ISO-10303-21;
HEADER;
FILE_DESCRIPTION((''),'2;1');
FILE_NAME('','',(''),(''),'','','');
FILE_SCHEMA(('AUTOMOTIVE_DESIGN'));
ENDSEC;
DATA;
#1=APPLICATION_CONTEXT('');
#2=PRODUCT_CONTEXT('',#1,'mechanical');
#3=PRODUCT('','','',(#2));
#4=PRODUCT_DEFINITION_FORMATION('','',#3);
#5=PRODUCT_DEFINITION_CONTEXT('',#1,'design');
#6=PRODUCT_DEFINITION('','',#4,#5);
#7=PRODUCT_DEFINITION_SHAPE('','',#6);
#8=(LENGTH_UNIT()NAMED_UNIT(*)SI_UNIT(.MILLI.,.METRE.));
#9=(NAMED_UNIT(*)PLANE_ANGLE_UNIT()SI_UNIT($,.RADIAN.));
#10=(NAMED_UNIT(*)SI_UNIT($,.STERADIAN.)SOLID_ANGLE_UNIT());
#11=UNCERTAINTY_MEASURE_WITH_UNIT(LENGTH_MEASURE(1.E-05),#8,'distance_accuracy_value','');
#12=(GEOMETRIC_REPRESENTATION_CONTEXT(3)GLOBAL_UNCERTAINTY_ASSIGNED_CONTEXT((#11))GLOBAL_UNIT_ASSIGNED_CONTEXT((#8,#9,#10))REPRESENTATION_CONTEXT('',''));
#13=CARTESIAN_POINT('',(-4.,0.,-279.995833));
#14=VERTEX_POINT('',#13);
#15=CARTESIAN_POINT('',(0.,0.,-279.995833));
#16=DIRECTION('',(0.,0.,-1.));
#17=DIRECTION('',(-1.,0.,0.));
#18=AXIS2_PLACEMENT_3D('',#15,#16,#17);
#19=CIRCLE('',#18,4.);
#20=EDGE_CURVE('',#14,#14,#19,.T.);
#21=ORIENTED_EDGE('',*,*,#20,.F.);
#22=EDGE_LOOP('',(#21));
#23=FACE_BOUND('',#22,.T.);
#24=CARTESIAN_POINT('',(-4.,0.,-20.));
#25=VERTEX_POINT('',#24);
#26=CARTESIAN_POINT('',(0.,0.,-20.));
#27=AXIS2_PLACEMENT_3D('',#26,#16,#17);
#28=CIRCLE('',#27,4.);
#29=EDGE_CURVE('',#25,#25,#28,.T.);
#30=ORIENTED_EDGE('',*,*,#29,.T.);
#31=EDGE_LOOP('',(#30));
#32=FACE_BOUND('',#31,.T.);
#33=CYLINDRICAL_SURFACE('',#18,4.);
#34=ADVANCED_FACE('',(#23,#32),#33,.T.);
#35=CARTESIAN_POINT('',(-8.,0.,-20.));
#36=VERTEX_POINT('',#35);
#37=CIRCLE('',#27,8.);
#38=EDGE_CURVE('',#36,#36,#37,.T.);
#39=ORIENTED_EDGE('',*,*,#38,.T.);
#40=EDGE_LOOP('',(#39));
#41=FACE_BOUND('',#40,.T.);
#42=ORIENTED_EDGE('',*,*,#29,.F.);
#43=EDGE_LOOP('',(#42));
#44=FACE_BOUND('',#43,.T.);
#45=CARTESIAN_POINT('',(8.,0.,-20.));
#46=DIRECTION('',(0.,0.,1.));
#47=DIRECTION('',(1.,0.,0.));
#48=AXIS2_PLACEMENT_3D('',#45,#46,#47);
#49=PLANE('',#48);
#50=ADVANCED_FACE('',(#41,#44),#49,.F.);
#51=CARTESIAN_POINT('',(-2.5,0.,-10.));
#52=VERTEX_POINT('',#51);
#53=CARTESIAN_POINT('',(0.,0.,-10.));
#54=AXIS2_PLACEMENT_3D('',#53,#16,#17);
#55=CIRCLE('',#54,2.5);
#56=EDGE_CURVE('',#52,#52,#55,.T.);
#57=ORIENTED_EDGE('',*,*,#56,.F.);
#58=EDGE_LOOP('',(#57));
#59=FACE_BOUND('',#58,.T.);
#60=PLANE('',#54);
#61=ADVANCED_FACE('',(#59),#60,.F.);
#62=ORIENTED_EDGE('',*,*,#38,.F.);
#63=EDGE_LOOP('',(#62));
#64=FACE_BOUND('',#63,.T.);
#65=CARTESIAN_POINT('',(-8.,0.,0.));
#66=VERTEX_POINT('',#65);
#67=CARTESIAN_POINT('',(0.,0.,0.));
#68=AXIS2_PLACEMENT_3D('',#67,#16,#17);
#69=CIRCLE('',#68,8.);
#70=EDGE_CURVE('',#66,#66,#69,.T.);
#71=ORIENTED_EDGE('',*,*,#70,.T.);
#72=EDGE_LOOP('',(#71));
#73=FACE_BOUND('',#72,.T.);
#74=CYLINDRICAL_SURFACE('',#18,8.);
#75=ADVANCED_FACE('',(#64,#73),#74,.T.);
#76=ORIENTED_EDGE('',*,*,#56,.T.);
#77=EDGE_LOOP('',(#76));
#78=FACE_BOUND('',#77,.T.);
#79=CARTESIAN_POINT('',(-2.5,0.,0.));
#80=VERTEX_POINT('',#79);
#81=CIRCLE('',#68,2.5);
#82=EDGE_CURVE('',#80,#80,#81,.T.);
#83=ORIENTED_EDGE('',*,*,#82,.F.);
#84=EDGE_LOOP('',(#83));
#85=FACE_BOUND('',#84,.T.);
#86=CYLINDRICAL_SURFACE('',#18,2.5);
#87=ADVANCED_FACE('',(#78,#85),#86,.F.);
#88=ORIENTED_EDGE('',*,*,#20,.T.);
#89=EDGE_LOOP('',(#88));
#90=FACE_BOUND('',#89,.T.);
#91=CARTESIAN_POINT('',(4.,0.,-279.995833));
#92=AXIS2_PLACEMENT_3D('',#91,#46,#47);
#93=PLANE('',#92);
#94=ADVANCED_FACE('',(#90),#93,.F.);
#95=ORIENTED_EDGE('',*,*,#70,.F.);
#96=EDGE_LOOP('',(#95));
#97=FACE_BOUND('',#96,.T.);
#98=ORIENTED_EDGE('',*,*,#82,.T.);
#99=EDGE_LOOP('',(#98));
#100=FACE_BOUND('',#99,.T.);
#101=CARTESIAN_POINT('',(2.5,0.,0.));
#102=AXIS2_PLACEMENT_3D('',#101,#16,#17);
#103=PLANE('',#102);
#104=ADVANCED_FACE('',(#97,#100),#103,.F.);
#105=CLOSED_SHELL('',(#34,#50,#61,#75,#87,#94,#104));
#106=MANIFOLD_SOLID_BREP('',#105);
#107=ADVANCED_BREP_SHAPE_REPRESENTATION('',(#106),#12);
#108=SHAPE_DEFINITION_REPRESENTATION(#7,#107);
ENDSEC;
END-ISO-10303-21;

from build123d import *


with BuildPart() as part:
    # Sketch1 → Revolve1 (revolve)
    with BuildSketch(Plane(origin=(0, 0, 0), x_dir=(1, 0, 0), z_dir=(0, 1, 0)), mode=Mode.PRIVATE) as revolve1_sk:
        Polygon((2.5, 0), (8, 0), (8, 20), (4, 20), (4, 279.995833301), (0, 279.995833301), (0, 10), (2.5, 10), align=None)
    revolve(revolve1_sk.sketch.rotate(Axis((0, 0, -279.995833301), (0, 0, 1)), 180), axis=Axis((0, 0, -279.995833301), (0, 0, 1)))


solid = part.part
